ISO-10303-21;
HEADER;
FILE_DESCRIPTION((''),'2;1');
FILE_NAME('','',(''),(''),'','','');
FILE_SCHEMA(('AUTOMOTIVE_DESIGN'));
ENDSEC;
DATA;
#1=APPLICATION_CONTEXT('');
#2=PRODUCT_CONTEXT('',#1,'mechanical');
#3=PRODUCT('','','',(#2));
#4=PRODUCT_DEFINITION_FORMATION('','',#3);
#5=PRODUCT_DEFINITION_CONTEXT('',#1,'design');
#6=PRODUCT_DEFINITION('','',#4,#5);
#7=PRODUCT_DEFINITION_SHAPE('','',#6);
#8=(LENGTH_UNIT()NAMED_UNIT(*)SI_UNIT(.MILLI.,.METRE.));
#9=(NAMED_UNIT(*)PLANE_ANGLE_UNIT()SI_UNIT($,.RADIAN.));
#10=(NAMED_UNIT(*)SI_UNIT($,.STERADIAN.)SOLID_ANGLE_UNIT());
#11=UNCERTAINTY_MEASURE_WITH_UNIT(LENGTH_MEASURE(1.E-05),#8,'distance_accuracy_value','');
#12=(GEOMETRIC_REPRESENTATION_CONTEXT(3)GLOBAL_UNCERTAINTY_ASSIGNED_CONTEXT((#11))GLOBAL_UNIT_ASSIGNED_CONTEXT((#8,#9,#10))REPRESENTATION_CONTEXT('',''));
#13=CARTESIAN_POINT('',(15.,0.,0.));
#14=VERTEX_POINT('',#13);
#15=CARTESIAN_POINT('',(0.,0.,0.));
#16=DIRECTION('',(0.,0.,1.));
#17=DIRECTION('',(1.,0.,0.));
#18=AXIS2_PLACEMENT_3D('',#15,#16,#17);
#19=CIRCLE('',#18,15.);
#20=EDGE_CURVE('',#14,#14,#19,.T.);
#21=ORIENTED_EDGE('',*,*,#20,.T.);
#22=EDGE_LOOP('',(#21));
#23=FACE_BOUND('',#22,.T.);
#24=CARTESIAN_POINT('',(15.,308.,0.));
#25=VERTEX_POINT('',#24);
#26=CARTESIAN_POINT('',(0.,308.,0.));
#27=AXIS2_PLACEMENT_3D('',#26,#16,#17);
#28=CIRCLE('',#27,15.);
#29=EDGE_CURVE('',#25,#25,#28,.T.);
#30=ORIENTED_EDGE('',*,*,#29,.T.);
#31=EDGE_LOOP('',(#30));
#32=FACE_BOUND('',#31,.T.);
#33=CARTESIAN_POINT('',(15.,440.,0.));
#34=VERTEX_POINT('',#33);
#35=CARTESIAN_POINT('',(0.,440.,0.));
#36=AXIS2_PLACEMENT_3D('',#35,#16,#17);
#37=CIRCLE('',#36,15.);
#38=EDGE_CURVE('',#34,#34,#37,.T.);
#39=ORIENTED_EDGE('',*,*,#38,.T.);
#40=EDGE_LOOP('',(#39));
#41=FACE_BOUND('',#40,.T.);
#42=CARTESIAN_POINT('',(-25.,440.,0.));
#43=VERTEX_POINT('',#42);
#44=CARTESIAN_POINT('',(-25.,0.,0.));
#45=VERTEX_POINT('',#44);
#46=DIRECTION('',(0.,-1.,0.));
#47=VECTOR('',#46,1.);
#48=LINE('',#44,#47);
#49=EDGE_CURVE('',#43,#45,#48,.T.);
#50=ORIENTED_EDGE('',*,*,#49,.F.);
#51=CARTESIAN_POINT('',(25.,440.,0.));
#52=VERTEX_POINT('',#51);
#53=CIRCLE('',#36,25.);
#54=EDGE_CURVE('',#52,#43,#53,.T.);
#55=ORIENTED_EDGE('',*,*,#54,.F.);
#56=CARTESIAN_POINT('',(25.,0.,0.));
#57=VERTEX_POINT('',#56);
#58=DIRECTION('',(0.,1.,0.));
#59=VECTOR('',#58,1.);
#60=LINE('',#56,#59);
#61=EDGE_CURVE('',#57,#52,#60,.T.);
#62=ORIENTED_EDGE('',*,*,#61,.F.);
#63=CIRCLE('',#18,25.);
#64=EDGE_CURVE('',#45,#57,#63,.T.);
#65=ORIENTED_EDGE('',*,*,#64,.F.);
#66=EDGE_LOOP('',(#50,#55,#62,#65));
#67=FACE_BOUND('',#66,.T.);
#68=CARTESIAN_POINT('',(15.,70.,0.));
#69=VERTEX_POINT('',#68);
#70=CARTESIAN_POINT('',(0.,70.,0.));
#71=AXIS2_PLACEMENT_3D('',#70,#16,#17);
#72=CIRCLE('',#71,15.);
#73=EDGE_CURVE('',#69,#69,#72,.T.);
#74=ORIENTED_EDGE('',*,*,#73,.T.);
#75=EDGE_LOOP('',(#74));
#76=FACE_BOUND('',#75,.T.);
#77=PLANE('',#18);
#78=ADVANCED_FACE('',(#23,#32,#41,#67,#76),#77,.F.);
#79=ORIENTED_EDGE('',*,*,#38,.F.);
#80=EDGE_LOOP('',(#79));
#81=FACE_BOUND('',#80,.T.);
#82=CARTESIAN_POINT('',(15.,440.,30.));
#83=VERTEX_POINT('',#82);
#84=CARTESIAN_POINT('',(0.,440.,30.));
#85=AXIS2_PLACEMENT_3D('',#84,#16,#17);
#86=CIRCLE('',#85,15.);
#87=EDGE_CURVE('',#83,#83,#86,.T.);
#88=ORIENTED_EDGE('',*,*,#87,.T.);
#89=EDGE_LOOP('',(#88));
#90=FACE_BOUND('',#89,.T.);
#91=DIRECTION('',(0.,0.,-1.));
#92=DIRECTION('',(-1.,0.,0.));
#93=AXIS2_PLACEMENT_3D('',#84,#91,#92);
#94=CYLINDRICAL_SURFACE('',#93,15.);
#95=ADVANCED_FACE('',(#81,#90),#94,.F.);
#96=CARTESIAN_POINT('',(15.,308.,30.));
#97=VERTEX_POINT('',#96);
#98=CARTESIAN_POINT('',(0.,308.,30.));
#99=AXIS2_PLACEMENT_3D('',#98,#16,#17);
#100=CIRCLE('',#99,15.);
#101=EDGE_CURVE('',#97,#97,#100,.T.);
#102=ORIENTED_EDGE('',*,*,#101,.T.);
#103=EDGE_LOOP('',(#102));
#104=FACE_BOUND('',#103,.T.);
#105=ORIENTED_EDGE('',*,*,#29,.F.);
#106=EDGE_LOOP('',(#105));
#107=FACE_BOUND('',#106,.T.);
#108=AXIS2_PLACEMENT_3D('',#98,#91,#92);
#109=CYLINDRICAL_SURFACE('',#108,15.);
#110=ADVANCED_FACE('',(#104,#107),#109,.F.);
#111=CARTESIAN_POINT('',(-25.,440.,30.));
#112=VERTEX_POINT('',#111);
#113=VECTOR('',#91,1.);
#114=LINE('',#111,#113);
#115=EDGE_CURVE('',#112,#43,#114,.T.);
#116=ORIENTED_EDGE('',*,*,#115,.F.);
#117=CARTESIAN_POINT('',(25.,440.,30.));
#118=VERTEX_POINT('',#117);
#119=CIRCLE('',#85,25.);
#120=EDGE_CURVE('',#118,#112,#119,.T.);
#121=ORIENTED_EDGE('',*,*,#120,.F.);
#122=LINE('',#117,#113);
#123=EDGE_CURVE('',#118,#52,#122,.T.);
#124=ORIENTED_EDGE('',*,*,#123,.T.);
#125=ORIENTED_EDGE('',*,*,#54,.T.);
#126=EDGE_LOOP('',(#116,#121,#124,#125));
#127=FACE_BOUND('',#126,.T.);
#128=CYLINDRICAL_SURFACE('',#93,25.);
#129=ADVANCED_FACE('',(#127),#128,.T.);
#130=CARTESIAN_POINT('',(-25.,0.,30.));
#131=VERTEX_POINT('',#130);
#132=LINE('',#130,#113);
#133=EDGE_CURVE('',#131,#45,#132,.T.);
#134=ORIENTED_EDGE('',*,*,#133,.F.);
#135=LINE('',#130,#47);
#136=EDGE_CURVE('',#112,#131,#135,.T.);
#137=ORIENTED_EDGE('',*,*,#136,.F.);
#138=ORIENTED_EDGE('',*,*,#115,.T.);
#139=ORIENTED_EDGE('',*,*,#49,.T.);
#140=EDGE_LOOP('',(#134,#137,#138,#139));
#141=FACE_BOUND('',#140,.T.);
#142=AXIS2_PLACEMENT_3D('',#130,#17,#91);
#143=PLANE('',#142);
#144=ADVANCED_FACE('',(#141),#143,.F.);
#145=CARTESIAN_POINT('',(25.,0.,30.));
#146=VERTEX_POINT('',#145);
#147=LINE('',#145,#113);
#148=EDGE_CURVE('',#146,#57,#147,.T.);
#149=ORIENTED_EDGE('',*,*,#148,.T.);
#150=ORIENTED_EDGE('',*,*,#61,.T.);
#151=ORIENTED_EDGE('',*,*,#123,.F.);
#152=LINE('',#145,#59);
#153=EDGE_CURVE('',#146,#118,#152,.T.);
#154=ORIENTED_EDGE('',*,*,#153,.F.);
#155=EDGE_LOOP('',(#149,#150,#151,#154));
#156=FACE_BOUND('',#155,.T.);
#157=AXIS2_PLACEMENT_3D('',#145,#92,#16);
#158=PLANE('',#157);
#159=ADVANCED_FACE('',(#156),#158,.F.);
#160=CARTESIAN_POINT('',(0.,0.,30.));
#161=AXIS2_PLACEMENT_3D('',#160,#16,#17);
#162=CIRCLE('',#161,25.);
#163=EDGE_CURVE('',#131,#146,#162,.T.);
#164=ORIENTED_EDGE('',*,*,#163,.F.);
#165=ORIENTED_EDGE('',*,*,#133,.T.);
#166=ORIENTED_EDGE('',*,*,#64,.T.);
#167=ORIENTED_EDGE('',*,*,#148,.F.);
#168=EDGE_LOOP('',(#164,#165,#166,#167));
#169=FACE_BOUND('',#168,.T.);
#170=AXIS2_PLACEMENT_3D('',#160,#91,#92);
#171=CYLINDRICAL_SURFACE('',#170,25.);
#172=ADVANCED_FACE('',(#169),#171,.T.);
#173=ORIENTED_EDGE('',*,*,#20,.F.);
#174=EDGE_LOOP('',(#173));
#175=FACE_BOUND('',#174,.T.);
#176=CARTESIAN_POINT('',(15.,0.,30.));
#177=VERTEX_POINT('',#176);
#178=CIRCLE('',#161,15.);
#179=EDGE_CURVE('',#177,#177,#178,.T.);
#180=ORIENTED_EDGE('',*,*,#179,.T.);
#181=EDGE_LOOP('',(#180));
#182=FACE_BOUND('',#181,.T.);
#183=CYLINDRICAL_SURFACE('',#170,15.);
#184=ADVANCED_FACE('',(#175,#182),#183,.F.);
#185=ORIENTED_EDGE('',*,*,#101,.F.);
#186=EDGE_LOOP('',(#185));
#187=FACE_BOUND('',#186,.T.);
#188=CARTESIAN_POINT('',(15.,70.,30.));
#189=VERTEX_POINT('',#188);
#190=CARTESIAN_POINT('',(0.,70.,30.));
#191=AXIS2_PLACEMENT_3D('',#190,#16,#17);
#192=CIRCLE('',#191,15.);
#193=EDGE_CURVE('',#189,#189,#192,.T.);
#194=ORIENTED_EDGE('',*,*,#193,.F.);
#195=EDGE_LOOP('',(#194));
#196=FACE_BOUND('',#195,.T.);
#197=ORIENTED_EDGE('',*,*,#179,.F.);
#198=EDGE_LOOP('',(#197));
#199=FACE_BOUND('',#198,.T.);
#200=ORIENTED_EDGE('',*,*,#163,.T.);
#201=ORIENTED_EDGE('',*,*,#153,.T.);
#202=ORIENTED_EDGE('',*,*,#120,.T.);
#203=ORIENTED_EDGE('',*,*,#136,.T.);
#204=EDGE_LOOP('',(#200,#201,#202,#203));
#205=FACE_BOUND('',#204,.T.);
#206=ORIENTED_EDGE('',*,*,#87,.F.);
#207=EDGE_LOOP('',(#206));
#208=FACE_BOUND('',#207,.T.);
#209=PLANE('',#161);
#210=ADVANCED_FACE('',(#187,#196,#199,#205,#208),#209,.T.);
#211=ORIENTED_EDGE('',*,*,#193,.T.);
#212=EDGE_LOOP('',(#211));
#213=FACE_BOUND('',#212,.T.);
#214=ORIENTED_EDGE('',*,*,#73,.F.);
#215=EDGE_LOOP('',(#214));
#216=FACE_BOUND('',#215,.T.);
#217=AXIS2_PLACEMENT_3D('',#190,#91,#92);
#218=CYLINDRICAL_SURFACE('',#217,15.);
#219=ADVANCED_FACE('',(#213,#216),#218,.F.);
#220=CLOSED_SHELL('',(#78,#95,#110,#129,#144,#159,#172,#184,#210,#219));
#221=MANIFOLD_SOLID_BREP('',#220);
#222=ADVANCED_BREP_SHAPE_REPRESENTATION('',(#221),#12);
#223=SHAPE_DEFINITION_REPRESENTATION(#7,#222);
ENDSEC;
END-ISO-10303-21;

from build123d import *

# Parameters (mm, degrees)
SKETCH1_R           = 15
BOSS_EXTRUDE1_DEPTH = 30


with BuildPart() as part:
    # Sketch1 → Boss-Extrude1 (new body)
    with BuildSketch(Plane.XY):
        with BuildLine():
            Line((-25, 0), (-25, 440))
            ThreePointArc((-25, 440), (0, 465), (25, 440))
            Line((25, 440), (25, 0))
            ThreePointArc((25, 0), (0, -25), (-25, 0))
        make_face()
        with Locations((0, 440)):
            Circle(SKETCH1_R, mode=Mode.SUBTRACT)
        with Locations((0, 308)):
            Circle(SKETCH1_R, mode=Mode.SUBTRACT)
        with Locations((0, 70)):
            Circle(SKETCH1_R, mode=Mode.SUBTRACT)
        Circle(SKETCH1_R, mode=Mode.SUBTRACT)
    extrude(amount=BOSS_EXTRUDE1_DEPTH)


solid = part.part
